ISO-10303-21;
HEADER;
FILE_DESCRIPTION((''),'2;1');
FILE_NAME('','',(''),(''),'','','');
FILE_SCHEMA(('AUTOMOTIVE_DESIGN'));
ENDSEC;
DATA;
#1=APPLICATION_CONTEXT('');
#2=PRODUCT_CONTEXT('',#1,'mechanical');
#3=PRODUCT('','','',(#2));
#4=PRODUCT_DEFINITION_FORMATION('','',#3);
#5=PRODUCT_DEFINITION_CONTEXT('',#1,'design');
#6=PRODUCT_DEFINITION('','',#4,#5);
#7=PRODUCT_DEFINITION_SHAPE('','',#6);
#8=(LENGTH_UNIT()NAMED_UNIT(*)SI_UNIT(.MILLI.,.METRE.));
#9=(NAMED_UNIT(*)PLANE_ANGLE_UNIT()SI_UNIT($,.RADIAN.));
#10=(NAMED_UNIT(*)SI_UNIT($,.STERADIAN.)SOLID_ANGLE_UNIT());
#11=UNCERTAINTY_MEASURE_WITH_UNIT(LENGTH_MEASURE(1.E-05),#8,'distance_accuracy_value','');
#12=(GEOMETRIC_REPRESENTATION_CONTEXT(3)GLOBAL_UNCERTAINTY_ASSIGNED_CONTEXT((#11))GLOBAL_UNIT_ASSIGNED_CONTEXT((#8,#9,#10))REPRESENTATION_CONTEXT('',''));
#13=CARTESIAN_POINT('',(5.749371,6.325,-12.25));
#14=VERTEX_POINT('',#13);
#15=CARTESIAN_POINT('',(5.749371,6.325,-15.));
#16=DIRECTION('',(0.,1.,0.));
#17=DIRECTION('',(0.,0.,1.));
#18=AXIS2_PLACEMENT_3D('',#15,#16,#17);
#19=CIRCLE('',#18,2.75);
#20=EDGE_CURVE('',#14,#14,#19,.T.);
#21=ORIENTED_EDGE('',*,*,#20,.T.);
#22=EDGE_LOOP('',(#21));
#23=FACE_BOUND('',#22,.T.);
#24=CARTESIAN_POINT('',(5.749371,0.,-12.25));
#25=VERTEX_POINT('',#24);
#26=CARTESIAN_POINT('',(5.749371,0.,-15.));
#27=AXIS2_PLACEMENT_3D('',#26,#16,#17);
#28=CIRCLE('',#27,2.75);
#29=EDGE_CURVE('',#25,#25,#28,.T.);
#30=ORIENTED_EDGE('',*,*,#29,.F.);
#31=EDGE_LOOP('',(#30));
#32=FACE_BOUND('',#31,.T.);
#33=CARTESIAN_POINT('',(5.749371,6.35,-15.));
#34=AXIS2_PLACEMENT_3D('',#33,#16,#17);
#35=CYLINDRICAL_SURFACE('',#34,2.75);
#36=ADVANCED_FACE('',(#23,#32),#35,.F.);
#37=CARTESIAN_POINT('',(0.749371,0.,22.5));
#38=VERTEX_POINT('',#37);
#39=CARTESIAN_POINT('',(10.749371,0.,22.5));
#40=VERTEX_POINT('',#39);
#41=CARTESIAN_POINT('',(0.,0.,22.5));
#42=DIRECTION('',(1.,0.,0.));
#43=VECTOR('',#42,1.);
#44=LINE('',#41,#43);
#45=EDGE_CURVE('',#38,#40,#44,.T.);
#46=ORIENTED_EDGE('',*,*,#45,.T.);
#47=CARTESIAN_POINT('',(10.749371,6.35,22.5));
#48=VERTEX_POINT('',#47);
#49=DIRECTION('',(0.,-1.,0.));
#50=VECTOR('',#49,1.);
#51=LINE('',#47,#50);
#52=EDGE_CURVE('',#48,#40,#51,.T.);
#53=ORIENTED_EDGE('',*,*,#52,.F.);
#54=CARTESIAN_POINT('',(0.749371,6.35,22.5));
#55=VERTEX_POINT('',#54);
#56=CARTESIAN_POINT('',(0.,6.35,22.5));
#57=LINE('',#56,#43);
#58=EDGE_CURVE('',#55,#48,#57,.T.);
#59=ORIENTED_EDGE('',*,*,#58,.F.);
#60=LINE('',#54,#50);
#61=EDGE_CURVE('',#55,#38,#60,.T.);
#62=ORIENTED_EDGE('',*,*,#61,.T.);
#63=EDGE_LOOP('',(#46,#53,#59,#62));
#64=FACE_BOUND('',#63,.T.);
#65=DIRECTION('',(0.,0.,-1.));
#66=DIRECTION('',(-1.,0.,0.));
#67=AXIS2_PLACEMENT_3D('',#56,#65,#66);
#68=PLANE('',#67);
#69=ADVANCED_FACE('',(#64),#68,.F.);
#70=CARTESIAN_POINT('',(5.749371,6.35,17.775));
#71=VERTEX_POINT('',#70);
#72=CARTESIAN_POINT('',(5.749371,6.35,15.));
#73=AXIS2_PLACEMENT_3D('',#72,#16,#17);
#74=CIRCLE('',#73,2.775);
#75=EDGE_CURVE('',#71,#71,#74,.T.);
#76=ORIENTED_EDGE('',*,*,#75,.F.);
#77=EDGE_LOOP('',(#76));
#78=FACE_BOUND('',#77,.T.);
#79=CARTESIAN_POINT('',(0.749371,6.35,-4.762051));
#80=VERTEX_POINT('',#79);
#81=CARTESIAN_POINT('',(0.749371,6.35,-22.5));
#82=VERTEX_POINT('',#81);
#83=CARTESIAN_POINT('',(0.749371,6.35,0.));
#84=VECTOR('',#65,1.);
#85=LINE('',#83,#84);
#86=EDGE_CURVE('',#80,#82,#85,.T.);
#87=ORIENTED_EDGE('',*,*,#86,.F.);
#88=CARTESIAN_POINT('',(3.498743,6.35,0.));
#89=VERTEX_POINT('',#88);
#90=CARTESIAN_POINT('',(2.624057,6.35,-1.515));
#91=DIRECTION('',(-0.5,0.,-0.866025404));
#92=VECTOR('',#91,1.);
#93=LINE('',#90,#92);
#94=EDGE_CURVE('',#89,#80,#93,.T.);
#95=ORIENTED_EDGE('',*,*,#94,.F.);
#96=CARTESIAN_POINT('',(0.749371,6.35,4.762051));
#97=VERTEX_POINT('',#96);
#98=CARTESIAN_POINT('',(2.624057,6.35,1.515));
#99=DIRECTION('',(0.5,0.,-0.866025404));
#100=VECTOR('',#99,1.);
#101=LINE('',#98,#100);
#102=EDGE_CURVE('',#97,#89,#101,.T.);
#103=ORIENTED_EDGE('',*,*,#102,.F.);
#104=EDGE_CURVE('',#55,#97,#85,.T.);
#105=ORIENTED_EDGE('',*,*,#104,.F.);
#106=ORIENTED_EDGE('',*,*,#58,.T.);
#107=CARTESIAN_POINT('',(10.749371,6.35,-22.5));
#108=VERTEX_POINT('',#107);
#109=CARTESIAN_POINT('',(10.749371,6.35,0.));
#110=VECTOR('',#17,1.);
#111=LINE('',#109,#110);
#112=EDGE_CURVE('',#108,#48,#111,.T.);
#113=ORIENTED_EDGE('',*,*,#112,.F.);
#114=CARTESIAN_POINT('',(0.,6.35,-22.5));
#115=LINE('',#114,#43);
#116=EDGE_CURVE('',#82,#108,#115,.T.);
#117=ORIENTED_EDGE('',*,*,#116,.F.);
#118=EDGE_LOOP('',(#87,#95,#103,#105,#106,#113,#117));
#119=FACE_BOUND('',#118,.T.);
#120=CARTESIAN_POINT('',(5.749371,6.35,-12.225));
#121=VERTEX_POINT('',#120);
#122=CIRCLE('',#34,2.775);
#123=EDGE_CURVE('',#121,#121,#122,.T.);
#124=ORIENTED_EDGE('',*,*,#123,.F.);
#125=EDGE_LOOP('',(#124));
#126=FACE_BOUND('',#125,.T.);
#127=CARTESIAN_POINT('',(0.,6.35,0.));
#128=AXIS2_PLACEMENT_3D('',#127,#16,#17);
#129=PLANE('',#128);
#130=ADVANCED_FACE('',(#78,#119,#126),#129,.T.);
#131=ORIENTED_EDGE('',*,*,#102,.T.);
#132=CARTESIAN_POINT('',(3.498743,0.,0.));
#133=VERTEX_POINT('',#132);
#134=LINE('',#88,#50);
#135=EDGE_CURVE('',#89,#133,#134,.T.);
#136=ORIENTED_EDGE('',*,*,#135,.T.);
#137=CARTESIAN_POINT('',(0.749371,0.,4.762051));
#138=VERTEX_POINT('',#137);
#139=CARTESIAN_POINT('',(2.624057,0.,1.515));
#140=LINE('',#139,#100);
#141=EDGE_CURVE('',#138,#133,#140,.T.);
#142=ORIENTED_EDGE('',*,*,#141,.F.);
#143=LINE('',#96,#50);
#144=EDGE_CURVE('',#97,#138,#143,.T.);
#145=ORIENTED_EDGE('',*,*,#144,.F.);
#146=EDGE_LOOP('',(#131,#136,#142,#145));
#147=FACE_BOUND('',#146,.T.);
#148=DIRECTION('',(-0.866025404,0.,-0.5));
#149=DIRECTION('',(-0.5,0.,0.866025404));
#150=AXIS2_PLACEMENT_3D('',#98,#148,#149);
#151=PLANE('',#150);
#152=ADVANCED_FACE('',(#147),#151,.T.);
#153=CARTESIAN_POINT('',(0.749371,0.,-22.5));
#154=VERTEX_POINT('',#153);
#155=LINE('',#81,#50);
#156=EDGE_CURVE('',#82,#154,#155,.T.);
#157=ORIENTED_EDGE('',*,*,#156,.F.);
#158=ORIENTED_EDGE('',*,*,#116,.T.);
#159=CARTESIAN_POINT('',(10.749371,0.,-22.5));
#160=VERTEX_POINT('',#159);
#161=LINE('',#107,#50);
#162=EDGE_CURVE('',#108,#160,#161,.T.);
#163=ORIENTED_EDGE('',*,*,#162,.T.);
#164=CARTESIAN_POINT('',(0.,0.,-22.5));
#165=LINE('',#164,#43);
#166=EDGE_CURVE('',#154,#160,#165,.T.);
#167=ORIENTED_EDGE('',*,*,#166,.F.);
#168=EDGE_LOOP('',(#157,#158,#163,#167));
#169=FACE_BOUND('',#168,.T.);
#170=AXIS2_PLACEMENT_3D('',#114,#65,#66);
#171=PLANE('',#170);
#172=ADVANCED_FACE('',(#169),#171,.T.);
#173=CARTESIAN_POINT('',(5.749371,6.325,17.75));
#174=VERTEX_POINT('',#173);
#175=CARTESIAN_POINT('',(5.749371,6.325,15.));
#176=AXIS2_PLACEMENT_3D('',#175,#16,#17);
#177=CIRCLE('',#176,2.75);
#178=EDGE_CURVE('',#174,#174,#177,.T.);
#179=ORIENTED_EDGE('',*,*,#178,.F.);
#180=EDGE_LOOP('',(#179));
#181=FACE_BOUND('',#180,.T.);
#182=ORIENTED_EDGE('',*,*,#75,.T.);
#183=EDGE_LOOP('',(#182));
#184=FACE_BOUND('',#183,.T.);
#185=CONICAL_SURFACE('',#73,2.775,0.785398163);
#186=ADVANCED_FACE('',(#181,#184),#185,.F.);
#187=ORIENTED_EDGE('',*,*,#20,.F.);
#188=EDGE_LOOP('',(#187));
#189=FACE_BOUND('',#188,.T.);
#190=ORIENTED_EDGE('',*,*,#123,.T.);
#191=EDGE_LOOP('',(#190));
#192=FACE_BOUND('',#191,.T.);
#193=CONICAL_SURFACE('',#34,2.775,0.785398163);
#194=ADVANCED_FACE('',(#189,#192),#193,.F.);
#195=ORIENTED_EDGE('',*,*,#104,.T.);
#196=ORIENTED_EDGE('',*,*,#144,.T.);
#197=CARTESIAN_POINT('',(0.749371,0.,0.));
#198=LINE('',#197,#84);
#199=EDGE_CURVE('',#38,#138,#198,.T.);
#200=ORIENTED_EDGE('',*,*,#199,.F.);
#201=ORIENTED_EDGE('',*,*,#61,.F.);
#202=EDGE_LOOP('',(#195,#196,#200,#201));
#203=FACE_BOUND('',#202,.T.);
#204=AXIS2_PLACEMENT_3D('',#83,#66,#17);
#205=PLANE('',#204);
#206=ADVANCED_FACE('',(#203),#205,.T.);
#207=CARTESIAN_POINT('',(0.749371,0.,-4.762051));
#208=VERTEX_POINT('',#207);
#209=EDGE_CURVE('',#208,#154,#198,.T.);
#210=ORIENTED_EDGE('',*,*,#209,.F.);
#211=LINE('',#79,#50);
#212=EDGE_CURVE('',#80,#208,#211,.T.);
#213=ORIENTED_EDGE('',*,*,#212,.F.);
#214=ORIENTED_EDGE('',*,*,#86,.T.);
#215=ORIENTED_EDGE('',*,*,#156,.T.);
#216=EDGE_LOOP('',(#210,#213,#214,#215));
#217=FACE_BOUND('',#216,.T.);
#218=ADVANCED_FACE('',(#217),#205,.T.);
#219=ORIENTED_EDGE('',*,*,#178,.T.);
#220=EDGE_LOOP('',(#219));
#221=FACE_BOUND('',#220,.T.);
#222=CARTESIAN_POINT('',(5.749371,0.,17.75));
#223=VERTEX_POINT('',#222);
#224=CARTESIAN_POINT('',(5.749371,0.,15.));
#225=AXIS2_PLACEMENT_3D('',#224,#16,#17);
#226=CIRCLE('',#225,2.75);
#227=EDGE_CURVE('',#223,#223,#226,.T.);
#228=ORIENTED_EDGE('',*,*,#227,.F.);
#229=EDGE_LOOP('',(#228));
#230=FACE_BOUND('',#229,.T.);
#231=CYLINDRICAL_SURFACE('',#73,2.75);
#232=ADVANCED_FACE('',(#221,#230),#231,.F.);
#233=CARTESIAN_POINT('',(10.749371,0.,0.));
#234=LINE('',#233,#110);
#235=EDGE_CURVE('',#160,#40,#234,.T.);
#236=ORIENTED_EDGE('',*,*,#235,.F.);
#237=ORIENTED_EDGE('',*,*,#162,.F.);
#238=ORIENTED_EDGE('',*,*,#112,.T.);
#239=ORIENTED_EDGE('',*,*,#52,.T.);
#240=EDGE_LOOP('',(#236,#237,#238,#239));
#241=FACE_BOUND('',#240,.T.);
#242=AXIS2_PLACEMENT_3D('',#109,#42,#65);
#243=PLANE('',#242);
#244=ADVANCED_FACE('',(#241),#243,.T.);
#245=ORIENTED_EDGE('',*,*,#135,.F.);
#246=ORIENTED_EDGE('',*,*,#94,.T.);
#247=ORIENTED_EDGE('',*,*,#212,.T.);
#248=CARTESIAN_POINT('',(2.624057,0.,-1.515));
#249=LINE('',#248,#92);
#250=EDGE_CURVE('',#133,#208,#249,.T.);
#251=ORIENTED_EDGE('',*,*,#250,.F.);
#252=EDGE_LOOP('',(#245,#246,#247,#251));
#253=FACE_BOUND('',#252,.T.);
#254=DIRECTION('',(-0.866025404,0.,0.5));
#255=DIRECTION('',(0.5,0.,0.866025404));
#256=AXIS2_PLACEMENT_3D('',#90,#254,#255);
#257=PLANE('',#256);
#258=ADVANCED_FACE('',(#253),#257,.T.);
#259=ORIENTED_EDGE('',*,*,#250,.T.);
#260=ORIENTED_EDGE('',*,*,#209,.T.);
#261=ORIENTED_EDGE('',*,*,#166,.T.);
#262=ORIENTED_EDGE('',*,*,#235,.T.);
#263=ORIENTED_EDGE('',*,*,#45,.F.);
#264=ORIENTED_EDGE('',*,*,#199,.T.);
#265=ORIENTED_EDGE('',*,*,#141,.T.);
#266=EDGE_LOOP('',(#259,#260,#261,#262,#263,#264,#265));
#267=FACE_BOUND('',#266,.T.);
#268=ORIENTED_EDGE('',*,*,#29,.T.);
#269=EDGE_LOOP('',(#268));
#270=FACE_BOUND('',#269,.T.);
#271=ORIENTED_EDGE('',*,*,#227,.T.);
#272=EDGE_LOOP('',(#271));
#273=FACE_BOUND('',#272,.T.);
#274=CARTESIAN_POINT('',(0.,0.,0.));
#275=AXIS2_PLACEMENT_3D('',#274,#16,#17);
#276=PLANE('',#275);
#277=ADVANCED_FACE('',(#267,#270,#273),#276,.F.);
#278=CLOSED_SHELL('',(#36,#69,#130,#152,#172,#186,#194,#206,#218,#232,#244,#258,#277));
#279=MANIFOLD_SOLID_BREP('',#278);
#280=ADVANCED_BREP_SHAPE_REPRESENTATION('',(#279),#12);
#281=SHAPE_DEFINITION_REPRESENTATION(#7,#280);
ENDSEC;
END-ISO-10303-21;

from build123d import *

# Parameters (mm, degrees)
BOSS_EXTRUDE1_DEPTH            = 6.35
M5_CLEARANCE_HOLE2_D           = 5.5
M5_CLEARANCE_HOLE2_DEPTH       = 10.1
M5_CLEARANCE_HOLE2_CSINK_D     = 5.55
M5_CLEARANCE_HOLE2_CSINK_ANGLE = 90
M5_CLEARANCE_HOLE2_TIP         = 1.652366702


with BuildPart() as part:
    # Sketch1 → Boss-Extrude1 (new body)
    with BuildSketch(Plane(origin=(0, 0, 0), x_dir=(1, 0, 0), z_dir=(0, 1, 0))):
        Polygon((10.749371316, 22.5), (0.749371316, 22.5), (0.749371316, 4.762050808), (3.498742631, 0), (0.749371316, -4.762050808), (0.749371316, -22.5), (10.749371316, -22.5), align=None)
    extrude(amount=BOSS_EXTRUDE1_DEPTH)

    # M5 Clearance Hole2
    with Locations(Plane(origin=(0, 6.35, 0), x_dir=(1, 0, 0), z_dir=(0, 1, 0))):
        with Locations((5.749371316, 15), (5.749371316, -15)):
            CounterSinkHole(M5_CLEARANCE_HOLE2_D / 2, M5_CLEARANCE_HOLE2_CSINK_D / 2, depth=M5_CLEARANCE_HOLE2_DEPTH, counter_sink_angle=M5_CLEARANCE_HOLE2_CSINK_ANGLE)
            with Locations((0, 0, -(M5_CLEARANCE_HOLE2_DEPTH + M5_CLEARANCE_HOLE2_TIP / 2))):  # 118° drill point
                Cone(0, M5_CLEARANCE_HOLE2_D / 2, M5_CLEARANCE_HOLE2_TIP, mode=Mode.SUBTRACT)


solid = part.part
